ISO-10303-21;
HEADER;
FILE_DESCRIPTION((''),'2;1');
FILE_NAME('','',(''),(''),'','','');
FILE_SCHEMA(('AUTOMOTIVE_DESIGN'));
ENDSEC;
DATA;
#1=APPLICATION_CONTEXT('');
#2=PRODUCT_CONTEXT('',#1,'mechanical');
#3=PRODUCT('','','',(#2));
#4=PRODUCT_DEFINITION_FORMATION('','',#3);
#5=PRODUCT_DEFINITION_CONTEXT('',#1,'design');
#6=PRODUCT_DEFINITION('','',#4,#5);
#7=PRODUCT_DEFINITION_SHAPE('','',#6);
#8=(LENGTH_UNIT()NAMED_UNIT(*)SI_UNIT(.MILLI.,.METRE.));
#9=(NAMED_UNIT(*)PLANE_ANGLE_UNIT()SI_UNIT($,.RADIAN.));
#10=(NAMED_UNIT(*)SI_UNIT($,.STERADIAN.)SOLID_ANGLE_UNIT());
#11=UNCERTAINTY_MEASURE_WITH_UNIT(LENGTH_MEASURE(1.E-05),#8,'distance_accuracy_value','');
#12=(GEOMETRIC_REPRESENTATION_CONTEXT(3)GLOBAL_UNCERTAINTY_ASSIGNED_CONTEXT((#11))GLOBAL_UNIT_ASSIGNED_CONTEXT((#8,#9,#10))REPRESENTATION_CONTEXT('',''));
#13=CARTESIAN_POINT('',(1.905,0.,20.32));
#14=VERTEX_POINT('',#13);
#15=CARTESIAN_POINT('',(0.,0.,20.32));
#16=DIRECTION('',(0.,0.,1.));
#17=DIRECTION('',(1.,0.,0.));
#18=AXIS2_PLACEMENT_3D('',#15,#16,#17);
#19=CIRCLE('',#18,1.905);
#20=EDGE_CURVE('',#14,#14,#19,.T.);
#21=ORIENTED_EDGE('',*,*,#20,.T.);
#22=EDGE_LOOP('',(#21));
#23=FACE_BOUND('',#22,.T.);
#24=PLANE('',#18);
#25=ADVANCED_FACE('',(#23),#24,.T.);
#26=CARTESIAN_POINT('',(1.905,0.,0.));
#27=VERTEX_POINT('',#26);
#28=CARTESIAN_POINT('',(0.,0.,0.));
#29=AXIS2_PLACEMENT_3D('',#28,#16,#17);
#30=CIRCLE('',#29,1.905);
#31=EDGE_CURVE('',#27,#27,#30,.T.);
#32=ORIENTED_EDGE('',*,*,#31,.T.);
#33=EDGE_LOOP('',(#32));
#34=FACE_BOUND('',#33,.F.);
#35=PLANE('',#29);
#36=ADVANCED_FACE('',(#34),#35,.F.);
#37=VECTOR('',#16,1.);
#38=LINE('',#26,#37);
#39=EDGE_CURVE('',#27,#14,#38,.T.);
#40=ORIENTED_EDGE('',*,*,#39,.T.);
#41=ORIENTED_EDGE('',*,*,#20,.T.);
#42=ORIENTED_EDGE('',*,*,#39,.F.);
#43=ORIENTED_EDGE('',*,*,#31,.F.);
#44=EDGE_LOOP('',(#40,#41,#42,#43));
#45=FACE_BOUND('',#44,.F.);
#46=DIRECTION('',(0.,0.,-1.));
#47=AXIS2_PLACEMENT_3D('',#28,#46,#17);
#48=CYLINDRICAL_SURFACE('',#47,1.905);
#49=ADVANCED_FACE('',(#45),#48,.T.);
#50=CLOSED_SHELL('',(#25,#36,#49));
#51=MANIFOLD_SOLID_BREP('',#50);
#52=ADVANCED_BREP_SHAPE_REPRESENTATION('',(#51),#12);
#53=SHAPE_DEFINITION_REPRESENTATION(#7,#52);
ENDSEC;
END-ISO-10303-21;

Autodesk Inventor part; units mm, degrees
ref_plane "YZ Plane" through (0, 0, 0) normal (1, 0, 0) x (0, 1, 0)
ref_plane "XZ Plane" through (0, 0, 0) normal (0, 1, 0) x (-1, 0, 0)
ref_plane "XY Plane" through (0, 0, 0) normal (0, 0, 1) x (1, 0, 0)
sketch "Sketch1" plane through (0, 0, 0) normal (0, 0, 1) x (1, 0, 0)
  circle A0 centre (0, 0) radius 1.905
  dimension "d0" = 3.81
extrude "Extrusion1" add sketch "Sketch1" along normal blind 20.32
properties part number "BatteryCaseBlackWire" material "ABS Plastic"
